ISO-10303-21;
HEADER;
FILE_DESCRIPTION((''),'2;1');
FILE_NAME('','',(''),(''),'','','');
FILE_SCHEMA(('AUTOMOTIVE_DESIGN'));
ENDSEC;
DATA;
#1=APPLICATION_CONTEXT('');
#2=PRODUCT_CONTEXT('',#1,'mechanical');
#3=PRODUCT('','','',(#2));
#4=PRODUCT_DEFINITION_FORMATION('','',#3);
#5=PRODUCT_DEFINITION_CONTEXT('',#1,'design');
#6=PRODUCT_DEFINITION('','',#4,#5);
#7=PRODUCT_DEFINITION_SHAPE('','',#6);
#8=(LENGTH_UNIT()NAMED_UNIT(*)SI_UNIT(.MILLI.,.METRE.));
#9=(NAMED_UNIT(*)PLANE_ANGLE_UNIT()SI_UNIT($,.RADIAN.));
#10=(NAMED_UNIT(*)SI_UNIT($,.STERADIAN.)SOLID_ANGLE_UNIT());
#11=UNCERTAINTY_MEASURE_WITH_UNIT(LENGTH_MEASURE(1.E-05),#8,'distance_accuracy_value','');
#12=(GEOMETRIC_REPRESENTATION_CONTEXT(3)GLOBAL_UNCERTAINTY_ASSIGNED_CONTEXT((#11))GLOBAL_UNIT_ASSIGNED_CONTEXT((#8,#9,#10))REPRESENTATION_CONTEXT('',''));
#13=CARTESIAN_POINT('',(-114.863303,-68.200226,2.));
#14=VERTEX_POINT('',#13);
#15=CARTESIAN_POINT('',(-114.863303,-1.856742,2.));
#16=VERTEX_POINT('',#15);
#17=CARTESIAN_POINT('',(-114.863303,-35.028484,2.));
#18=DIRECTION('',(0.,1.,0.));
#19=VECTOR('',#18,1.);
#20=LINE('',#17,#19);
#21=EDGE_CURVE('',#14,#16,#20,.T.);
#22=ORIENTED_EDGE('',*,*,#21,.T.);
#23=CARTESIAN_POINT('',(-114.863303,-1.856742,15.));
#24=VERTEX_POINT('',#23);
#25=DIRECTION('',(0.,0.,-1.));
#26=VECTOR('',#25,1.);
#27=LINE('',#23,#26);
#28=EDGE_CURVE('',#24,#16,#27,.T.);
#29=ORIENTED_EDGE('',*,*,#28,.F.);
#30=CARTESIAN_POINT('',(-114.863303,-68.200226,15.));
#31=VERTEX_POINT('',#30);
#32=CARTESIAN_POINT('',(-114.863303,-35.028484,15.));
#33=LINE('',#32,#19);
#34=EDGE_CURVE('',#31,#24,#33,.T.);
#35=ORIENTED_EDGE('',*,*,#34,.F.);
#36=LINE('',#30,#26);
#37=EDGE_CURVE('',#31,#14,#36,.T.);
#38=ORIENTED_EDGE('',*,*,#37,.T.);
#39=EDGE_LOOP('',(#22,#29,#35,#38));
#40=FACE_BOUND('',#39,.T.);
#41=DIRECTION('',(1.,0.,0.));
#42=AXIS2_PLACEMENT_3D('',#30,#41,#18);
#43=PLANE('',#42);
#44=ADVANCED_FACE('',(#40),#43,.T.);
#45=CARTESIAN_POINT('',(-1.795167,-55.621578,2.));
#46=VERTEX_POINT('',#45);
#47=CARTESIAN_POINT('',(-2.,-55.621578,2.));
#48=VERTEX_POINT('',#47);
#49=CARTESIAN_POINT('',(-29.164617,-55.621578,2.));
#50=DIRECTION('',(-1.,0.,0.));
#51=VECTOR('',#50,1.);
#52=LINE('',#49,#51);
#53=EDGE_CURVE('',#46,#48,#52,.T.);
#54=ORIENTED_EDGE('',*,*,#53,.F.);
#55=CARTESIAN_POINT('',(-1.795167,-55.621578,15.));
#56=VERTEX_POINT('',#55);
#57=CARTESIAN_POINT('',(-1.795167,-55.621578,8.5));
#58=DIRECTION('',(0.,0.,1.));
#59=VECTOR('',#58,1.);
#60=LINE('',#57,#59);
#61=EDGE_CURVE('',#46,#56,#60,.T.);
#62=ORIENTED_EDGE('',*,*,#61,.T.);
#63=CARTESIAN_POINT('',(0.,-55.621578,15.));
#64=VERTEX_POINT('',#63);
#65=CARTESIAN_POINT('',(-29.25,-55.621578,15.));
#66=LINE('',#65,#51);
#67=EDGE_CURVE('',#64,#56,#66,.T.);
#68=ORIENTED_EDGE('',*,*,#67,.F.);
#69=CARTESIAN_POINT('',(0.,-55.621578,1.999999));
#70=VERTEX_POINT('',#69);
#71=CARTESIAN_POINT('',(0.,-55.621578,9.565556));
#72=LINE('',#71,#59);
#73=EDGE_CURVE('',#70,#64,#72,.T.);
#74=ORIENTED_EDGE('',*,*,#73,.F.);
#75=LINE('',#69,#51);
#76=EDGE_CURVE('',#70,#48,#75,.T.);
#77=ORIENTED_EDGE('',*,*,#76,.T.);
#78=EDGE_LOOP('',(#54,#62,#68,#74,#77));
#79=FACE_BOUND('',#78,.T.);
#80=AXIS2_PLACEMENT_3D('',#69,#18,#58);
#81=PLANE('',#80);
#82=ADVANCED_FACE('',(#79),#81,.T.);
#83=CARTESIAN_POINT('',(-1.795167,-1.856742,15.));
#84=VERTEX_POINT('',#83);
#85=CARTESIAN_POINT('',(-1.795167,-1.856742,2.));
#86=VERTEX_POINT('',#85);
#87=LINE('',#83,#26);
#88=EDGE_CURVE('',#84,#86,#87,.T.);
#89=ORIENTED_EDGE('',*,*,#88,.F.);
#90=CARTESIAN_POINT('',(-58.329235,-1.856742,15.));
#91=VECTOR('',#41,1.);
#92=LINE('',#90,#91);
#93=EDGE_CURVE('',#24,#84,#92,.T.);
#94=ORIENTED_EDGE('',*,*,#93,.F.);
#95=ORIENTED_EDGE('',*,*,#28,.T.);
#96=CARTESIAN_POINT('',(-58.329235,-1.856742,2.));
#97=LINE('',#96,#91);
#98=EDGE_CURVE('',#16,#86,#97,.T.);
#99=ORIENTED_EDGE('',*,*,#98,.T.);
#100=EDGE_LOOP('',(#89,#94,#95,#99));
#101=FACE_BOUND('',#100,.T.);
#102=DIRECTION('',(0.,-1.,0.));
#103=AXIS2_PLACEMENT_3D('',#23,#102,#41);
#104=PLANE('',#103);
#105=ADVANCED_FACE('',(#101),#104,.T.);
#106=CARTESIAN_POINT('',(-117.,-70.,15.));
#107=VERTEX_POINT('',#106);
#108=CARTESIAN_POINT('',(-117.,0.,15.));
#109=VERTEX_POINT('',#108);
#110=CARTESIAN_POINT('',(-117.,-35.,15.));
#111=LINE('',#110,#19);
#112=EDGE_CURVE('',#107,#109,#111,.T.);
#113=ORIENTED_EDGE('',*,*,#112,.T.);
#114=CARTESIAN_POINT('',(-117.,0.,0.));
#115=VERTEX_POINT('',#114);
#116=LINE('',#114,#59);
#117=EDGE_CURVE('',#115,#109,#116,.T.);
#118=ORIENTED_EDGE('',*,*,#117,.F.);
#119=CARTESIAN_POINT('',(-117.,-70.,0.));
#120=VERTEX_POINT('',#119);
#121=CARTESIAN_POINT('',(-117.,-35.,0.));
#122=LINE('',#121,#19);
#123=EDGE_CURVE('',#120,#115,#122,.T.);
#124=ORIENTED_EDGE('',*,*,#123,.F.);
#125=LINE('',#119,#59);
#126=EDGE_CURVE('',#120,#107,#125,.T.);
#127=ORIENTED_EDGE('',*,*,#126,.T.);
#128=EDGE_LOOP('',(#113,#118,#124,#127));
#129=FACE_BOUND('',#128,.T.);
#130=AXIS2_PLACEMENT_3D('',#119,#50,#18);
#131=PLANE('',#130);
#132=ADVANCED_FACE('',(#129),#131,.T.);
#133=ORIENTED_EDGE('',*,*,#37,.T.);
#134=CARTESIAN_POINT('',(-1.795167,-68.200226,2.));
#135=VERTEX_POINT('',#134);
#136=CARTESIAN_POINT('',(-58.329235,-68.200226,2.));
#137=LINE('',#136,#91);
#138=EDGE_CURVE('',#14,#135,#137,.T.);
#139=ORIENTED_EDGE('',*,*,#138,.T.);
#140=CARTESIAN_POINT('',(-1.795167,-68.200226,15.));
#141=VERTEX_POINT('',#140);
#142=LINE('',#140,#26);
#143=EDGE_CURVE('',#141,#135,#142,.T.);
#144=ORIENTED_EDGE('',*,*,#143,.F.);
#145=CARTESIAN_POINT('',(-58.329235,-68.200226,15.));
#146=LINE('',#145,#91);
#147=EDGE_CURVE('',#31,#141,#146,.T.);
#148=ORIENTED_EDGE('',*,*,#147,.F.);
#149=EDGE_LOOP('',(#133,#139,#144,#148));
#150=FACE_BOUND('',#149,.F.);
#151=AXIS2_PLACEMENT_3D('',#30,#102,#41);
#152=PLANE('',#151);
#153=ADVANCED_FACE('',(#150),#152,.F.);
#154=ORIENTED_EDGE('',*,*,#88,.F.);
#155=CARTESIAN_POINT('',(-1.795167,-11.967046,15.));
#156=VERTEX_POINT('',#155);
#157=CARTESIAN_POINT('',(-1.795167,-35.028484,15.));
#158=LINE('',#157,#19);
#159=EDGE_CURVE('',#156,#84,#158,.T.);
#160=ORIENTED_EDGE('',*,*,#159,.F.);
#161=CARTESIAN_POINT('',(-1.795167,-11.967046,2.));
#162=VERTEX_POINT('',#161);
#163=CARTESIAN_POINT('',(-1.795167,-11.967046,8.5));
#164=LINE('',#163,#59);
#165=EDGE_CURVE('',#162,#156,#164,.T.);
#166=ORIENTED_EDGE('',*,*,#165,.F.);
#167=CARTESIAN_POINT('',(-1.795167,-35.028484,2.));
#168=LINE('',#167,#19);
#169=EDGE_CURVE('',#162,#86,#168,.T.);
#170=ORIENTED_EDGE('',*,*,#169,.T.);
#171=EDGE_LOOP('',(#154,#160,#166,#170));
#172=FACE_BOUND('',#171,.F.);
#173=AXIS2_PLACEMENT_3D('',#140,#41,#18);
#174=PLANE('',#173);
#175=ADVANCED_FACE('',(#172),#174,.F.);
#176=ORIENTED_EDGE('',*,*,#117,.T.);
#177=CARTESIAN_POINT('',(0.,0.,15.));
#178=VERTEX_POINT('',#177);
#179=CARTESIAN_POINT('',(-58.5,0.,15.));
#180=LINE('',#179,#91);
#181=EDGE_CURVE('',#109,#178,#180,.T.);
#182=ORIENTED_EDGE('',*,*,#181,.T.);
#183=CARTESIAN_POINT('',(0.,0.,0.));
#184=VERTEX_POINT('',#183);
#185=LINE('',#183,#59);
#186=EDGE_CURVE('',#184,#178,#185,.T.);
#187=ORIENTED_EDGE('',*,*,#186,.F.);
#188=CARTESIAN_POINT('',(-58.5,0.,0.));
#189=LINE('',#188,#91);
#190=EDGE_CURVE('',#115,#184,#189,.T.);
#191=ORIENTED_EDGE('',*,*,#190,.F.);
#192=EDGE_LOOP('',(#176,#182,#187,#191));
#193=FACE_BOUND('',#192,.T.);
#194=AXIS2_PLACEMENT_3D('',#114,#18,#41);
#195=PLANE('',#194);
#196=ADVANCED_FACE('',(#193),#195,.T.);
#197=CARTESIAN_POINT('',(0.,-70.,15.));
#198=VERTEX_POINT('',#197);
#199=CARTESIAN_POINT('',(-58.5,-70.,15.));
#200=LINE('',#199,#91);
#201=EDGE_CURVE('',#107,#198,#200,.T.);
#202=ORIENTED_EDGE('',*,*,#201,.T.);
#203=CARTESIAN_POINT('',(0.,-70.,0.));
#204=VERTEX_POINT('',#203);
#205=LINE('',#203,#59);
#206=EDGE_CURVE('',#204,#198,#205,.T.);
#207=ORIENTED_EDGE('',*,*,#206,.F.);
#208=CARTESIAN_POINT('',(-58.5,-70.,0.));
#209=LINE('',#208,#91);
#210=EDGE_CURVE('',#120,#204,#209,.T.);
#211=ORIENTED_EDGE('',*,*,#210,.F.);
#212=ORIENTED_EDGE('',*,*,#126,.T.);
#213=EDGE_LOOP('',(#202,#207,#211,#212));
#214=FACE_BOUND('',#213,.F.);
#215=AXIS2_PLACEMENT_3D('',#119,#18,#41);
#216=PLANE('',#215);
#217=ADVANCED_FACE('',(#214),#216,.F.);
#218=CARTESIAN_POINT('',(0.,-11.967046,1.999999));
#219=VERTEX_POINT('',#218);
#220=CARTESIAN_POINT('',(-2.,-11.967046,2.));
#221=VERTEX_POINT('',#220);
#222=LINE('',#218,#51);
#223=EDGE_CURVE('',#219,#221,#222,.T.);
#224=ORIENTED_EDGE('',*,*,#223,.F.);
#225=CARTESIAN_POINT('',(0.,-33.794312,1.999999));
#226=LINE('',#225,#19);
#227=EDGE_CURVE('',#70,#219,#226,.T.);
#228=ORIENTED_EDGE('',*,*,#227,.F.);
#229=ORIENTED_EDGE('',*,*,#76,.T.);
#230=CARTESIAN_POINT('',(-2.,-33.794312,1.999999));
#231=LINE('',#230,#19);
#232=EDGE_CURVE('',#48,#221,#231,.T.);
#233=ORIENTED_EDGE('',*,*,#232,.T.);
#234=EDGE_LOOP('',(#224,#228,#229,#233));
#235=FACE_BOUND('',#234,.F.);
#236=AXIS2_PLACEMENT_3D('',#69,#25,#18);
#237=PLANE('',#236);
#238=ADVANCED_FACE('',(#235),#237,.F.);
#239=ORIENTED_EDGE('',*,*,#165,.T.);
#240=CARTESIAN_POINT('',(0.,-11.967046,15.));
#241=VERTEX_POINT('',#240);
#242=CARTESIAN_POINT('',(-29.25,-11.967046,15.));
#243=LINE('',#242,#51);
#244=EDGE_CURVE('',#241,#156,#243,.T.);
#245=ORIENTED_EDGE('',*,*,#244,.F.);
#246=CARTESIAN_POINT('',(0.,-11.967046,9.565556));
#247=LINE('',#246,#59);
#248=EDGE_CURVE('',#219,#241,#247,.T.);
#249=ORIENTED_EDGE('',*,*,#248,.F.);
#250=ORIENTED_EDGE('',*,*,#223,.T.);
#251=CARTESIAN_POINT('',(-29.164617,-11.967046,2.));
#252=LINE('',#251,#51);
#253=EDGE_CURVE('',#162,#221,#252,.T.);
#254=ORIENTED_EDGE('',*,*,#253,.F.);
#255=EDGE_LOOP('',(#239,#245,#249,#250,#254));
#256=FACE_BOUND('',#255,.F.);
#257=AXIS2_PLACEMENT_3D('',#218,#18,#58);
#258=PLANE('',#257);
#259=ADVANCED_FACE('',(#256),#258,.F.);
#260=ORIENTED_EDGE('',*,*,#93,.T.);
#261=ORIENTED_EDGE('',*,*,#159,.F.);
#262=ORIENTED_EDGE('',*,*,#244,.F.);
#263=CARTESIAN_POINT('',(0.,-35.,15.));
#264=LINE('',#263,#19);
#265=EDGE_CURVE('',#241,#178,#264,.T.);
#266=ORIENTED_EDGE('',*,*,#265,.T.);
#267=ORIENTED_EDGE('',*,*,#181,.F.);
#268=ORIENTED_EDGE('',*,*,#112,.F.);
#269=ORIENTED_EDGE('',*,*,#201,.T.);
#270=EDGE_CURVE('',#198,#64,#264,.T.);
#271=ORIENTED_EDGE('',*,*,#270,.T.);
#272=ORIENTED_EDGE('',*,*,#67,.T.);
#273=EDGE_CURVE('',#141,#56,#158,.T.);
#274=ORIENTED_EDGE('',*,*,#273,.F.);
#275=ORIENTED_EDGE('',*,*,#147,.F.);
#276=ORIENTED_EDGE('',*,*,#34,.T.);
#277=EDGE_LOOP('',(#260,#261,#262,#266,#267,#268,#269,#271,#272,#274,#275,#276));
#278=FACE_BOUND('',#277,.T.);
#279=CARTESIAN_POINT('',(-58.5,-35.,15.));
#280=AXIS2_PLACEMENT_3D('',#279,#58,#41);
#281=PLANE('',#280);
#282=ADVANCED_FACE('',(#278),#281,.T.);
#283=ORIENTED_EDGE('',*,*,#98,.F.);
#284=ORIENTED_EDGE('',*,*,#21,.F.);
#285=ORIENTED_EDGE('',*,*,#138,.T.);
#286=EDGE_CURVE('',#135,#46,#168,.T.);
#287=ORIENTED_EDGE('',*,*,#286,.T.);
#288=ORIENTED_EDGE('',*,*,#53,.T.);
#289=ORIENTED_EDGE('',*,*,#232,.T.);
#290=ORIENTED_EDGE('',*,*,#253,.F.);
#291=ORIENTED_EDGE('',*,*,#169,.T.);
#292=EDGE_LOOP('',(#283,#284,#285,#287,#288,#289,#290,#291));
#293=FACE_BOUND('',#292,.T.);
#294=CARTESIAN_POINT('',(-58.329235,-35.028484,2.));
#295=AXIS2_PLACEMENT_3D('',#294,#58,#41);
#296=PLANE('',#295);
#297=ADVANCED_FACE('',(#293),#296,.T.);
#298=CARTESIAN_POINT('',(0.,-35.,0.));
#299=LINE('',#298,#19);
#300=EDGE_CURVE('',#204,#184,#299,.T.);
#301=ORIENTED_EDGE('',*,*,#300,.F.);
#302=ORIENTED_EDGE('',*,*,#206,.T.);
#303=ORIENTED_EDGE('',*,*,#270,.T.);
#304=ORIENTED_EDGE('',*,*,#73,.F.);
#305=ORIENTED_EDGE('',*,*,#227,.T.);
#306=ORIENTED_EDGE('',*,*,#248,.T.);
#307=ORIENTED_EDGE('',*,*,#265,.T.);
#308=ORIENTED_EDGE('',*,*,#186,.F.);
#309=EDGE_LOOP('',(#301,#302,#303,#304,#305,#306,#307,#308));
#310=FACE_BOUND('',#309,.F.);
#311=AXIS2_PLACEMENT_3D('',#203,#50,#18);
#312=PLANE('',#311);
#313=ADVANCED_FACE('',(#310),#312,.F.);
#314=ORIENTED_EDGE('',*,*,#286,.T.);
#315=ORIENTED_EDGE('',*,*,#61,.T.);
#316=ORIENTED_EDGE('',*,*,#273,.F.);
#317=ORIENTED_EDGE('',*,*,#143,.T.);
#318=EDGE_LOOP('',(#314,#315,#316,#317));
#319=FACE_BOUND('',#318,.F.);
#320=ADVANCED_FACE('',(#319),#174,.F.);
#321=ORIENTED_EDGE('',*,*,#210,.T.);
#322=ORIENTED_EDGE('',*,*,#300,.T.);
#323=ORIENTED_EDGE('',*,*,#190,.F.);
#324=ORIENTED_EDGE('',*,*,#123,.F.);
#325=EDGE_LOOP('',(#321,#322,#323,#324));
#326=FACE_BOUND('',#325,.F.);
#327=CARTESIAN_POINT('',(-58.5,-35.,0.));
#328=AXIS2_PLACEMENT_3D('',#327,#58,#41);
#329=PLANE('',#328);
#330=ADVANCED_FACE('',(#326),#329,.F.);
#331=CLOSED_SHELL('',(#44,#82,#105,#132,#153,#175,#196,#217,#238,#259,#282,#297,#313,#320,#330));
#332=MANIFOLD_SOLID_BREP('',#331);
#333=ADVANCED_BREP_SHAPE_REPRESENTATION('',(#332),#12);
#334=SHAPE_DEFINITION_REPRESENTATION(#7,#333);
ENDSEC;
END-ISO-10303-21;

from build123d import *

# Parameters (mm, degrees)
SKETCH_W        = 117
SKETCH_H        = 70
PAD_DEPTH       = 15
SKETCH001_W     = 113.068136
SKETCH001_H     = 66.343485
POCKET_DEPTH    = 13
SKETCH002_W     = 43.654532
SKETCH002_H     = 15.131113
POCKET001_DEPTH = 2


with BuildPart() as part:
    # Sketch → Pad (new body)
    with BuildSketch(Plane.XY):
        with Locations((-58.5, -35)):
            Rectangle(SKETCH_W, SKETCH_H)
    extrude(amount=PAD_DEPTH)

    # Sketch001 (on Face6 of Pad) → Pocket (cut)
    with BuildSketch(Plane.XY.offset(15)):
        with Locations((-58.329235, -35.028484)):
            Rectangle(SKETCH001_W, SKETCH001_H)
    extrude(amount=-POCKET_DEPTH, mode=Mode.SUBTRACT)

    # Sketch002 (on Face2 of Pocket) → Pocket001 (cut)
    with BuildSketch(Plane.YZ):
        with Locations((-33.794312, 9.565556)):
            Rectangle(SKETCH002_W, SKETCH002_H)
    extrude(amount=-POCKET001_DEPTH, mode=Mode.SUBTRACT)


solid = part.part
